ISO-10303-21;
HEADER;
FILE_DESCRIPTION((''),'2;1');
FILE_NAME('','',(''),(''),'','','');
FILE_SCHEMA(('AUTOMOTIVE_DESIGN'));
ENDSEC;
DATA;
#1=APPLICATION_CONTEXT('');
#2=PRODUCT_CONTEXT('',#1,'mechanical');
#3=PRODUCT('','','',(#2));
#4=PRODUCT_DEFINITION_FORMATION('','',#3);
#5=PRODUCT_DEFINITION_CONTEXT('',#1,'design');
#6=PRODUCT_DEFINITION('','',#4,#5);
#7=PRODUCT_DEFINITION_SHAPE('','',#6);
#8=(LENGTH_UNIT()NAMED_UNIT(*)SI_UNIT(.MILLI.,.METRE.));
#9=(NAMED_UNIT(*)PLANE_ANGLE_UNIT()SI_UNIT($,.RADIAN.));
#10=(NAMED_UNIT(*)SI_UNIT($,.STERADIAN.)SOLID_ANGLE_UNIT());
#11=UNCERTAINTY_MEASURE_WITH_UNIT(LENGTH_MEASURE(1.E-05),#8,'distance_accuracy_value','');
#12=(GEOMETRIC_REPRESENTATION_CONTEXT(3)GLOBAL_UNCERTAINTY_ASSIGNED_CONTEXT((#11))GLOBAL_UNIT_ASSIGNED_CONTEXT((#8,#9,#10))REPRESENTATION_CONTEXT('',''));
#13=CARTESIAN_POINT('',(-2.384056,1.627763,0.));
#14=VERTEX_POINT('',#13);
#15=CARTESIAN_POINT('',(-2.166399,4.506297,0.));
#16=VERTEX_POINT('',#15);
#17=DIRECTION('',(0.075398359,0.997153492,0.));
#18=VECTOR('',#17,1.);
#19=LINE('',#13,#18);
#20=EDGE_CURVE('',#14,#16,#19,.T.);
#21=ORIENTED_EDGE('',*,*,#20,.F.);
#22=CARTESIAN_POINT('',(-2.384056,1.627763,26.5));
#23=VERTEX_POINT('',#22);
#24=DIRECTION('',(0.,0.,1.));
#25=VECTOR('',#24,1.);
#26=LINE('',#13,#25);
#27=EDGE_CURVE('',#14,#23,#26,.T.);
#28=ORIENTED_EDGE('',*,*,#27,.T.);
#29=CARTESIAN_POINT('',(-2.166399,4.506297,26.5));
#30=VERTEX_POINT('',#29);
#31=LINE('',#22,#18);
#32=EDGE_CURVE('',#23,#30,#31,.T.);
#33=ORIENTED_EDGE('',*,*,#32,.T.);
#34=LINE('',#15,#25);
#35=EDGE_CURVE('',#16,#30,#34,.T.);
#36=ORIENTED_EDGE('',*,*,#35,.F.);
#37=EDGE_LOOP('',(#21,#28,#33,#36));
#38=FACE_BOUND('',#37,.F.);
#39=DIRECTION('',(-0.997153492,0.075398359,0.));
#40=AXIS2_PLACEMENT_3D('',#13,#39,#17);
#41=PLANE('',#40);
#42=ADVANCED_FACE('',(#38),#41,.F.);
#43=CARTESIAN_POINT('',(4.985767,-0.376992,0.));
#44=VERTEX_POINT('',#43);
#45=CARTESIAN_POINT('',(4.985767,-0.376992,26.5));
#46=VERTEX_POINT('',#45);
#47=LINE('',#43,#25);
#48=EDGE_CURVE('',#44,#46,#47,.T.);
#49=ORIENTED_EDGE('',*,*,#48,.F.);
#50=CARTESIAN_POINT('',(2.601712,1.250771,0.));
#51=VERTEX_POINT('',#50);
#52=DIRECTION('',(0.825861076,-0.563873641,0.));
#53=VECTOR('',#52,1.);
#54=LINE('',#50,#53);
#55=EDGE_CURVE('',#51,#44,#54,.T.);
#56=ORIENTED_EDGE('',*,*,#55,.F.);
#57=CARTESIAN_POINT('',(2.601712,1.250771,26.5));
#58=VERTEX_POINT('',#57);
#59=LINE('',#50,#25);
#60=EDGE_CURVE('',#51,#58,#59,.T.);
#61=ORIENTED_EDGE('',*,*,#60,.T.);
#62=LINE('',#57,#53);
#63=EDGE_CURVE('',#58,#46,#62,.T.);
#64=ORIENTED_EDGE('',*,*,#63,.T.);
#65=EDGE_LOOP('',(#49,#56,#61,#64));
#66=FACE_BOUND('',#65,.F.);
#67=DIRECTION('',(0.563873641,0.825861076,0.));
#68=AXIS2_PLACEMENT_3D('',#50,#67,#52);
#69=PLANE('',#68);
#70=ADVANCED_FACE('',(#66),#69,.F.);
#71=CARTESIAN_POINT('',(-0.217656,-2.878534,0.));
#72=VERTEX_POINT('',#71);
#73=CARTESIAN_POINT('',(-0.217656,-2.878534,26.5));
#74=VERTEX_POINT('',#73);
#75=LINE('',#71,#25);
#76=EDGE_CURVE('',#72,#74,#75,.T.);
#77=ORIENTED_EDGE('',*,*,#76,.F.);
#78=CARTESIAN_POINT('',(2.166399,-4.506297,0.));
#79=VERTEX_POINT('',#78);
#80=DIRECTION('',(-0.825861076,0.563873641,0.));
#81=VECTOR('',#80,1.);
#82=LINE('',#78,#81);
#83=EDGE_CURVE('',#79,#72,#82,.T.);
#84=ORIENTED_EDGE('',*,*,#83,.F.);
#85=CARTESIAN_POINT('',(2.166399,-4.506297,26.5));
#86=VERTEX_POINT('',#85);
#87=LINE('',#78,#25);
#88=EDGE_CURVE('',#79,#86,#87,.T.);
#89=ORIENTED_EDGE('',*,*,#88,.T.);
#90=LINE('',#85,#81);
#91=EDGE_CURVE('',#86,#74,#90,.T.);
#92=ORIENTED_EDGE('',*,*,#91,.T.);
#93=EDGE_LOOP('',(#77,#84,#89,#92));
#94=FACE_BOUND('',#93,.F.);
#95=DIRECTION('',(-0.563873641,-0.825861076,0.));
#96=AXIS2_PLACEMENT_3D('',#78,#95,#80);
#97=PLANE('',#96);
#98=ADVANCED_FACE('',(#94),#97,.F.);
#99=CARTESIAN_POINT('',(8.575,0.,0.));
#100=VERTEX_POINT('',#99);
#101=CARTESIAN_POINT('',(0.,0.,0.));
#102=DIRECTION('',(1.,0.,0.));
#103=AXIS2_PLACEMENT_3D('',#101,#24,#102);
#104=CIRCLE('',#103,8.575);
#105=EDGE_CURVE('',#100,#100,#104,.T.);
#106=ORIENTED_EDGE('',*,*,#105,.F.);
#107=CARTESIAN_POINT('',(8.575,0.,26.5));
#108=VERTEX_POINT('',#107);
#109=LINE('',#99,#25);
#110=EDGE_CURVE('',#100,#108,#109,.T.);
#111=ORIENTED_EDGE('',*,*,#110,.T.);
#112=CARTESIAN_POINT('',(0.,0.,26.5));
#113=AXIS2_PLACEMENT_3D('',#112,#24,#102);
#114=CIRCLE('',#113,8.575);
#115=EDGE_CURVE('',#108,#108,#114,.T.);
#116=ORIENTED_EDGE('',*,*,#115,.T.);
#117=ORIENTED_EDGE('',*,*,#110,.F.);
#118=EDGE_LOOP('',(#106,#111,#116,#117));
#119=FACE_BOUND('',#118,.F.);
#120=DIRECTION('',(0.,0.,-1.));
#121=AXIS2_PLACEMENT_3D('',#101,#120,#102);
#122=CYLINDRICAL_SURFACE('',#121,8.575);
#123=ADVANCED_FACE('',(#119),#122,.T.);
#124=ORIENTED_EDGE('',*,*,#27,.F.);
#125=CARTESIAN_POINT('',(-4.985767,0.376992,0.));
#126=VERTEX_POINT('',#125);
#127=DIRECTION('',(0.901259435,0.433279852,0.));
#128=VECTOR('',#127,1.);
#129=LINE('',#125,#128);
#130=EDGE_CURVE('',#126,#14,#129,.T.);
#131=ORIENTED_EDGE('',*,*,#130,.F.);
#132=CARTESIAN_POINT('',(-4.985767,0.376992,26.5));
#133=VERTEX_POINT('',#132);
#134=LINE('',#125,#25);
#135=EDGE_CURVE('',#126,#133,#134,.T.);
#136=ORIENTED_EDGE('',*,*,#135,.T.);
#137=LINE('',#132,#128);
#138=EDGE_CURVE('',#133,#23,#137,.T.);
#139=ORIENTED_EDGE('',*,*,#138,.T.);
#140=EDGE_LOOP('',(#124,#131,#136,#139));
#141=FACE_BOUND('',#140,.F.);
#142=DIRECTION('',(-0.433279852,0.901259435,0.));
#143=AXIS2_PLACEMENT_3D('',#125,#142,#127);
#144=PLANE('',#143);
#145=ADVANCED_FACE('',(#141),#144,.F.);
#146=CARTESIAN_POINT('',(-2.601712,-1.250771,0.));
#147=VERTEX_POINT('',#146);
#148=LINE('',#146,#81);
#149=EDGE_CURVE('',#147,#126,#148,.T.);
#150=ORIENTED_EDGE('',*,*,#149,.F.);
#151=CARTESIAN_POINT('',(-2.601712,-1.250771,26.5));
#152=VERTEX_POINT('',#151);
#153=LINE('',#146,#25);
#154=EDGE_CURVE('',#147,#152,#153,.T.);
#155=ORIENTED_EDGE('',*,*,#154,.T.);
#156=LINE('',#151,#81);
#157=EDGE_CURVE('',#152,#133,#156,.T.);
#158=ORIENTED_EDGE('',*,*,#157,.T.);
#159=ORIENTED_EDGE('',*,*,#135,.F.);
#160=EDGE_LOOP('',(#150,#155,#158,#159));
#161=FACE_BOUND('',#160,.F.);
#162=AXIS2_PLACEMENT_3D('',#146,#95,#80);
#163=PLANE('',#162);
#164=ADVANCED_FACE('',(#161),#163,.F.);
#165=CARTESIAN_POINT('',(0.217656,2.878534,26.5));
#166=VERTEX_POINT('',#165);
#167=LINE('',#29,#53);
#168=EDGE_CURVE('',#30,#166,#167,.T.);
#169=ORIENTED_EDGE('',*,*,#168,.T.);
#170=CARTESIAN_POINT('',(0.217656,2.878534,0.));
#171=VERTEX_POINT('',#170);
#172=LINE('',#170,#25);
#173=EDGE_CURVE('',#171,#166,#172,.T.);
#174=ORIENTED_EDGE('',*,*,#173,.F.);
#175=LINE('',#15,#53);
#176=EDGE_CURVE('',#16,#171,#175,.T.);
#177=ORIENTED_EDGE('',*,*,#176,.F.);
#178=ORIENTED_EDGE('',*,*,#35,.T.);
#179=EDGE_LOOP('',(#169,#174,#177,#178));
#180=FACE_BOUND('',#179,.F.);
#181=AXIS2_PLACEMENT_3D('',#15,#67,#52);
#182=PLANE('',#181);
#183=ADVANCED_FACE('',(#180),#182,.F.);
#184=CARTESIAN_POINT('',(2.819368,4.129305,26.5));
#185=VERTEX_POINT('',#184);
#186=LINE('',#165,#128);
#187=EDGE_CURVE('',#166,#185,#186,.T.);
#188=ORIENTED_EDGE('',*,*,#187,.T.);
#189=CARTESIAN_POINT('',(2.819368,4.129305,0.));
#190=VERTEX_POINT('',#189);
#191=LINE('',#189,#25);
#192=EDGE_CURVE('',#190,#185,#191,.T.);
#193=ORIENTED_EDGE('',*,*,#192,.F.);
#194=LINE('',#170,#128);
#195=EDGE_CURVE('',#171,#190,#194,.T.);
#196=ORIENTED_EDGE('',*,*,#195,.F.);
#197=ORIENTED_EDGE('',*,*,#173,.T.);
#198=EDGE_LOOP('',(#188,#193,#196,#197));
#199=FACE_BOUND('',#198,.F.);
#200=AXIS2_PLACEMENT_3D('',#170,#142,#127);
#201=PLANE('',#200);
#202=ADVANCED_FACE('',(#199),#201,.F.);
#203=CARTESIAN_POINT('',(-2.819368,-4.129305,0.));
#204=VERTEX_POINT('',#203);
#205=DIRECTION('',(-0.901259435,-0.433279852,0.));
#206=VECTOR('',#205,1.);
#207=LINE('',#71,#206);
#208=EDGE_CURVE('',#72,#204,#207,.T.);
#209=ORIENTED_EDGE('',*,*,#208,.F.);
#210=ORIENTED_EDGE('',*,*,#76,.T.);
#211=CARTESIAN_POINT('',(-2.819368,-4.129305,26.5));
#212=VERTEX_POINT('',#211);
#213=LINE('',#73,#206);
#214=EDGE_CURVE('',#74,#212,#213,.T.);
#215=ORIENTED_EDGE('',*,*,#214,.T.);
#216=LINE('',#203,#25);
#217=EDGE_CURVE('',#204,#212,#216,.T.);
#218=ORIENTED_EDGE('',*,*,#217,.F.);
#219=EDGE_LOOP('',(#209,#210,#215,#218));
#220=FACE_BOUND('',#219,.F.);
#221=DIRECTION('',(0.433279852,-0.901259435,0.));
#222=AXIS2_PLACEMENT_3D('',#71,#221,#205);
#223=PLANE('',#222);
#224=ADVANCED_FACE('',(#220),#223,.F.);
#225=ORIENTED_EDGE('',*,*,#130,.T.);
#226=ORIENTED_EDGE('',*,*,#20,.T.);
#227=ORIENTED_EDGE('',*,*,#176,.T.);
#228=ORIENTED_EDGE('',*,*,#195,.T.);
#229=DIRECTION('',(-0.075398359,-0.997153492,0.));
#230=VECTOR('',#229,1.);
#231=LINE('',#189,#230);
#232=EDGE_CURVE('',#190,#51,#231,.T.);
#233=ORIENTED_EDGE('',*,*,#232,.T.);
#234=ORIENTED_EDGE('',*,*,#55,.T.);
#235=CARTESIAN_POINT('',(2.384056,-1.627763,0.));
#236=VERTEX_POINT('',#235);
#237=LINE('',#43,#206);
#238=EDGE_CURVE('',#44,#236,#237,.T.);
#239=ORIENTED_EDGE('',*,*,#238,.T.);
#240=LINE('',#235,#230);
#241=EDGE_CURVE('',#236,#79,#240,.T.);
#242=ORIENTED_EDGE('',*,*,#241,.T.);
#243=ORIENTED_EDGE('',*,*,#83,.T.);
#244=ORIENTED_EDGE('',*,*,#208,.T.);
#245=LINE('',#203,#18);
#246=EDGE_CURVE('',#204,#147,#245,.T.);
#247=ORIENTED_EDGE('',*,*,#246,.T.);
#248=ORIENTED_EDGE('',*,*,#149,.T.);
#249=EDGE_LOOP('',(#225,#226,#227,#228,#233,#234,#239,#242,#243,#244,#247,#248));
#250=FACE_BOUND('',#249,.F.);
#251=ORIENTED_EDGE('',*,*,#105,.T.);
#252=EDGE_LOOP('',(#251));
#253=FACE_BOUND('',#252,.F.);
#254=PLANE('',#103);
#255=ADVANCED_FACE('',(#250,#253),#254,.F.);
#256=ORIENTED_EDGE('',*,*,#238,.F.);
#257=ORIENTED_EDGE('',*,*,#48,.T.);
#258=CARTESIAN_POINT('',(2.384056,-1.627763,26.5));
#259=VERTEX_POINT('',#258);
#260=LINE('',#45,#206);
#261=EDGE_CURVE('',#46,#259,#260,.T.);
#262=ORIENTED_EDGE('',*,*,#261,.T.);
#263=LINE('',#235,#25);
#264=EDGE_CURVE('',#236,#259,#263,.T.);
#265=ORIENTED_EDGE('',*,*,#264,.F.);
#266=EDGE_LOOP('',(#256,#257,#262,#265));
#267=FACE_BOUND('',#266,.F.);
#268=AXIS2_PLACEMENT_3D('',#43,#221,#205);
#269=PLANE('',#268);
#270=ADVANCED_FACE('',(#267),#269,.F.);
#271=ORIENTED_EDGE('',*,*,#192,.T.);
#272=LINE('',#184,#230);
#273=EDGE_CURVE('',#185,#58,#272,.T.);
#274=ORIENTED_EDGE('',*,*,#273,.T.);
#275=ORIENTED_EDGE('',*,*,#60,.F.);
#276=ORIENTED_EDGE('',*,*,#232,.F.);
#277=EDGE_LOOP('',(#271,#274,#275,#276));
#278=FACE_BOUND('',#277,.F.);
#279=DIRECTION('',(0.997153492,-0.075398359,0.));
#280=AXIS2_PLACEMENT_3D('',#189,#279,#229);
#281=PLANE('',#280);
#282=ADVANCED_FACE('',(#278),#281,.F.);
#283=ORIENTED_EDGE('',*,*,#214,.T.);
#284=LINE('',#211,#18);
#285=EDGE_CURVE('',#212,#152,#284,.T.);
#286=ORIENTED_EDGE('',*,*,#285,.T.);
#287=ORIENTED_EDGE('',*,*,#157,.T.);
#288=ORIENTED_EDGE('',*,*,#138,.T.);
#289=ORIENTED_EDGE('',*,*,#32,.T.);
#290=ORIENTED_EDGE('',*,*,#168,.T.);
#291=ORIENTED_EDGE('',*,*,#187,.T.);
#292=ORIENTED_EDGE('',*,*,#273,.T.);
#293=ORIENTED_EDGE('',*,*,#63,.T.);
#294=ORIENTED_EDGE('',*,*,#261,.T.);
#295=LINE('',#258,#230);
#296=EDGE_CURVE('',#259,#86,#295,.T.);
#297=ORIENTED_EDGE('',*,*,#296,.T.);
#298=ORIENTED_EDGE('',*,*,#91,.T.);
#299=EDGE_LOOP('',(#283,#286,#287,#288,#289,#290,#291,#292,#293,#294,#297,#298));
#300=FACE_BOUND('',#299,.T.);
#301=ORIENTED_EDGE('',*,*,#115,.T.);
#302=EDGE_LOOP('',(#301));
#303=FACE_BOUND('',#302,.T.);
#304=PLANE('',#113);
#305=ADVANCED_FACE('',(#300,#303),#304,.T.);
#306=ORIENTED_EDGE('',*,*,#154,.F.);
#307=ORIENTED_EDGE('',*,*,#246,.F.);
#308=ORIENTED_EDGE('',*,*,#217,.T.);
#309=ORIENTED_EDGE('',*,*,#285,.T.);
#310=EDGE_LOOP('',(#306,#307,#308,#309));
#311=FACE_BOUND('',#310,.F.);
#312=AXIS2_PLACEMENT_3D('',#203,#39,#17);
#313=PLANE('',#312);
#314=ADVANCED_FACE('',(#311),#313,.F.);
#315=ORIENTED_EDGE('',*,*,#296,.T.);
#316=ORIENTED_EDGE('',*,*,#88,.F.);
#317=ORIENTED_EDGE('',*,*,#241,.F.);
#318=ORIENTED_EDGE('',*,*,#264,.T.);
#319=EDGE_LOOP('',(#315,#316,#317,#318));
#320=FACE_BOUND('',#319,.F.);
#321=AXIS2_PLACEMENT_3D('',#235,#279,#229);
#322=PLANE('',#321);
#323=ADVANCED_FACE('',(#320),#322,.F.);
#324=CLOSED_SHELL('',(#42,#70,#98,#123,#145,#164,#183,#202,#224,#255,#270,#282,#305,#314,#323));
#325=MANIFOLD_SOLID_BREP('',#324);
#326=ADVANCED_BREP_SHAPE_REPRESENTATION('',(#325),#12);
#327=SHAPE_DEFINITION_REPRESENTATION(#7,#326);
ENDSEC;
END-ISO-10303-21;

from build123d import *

# Parameters (mm, degrees)
F0_R     = 8.575
F1_DEPTH = 26.5
F3_DEPTH = 26.5


with BuildPart() as f1:
    # F0 (on Top) → F1 (new body)
    with BuildSketch(Plane.XY):
        Circle(F0_R)
    extrude(amount=F1_DEPTH)

    # F2 (on face) → F3 (cut)
    with BuildSketch(Plane(origin=(0, 0, 0), x_dir=(1, 0, 0), z_dir=(0, 0, -1))):
        Polygon((4.9857674621, 0.3769917955), (2.3840555737, 1.6277629909), (2.6017118884, -1.2507711954), align=None)
        Polygon((2.819368203, -4.1293053818), (2.6017118884, -1.2507711954), (0.2176563146, -2.8785341864), align=None)
        Polygon((0.2176563146, -2.8785341864), (-2.3840555737, -1.6277629909), (-2.1663992591, -4.5062971773), align=None)
        Polygon((-2.3840555737, -1.6277629909), (-2.6017118884, 1.2507711954), (-4.9857674621, -0.3769917955), align=None)
        Polygon((2.3840555737, 1.6277629909), (-0.2176563146, 2.8785341864), (-2.6017118884, 1.2507711954), (-2.3840555737, -1.6277629909), (0.2176563146, -2.8785341864), (2.6017118884, -1.2507711954), align=None)
        Polygon((2.1663992591, 4.5062971773), (-0.2176563146, 2.8785341864), (2.3840555737, 1.6277629909), align=None)
        Polygon((-0.2176563146, 2.8785341864), (-2.819368203, 4.1293053818), (-2.6017118884, 1.2507711954), align=None)
    extrude(amount=-F3_DEPTH, mode=Mode.SUBTRACT)


solid = f1.part
